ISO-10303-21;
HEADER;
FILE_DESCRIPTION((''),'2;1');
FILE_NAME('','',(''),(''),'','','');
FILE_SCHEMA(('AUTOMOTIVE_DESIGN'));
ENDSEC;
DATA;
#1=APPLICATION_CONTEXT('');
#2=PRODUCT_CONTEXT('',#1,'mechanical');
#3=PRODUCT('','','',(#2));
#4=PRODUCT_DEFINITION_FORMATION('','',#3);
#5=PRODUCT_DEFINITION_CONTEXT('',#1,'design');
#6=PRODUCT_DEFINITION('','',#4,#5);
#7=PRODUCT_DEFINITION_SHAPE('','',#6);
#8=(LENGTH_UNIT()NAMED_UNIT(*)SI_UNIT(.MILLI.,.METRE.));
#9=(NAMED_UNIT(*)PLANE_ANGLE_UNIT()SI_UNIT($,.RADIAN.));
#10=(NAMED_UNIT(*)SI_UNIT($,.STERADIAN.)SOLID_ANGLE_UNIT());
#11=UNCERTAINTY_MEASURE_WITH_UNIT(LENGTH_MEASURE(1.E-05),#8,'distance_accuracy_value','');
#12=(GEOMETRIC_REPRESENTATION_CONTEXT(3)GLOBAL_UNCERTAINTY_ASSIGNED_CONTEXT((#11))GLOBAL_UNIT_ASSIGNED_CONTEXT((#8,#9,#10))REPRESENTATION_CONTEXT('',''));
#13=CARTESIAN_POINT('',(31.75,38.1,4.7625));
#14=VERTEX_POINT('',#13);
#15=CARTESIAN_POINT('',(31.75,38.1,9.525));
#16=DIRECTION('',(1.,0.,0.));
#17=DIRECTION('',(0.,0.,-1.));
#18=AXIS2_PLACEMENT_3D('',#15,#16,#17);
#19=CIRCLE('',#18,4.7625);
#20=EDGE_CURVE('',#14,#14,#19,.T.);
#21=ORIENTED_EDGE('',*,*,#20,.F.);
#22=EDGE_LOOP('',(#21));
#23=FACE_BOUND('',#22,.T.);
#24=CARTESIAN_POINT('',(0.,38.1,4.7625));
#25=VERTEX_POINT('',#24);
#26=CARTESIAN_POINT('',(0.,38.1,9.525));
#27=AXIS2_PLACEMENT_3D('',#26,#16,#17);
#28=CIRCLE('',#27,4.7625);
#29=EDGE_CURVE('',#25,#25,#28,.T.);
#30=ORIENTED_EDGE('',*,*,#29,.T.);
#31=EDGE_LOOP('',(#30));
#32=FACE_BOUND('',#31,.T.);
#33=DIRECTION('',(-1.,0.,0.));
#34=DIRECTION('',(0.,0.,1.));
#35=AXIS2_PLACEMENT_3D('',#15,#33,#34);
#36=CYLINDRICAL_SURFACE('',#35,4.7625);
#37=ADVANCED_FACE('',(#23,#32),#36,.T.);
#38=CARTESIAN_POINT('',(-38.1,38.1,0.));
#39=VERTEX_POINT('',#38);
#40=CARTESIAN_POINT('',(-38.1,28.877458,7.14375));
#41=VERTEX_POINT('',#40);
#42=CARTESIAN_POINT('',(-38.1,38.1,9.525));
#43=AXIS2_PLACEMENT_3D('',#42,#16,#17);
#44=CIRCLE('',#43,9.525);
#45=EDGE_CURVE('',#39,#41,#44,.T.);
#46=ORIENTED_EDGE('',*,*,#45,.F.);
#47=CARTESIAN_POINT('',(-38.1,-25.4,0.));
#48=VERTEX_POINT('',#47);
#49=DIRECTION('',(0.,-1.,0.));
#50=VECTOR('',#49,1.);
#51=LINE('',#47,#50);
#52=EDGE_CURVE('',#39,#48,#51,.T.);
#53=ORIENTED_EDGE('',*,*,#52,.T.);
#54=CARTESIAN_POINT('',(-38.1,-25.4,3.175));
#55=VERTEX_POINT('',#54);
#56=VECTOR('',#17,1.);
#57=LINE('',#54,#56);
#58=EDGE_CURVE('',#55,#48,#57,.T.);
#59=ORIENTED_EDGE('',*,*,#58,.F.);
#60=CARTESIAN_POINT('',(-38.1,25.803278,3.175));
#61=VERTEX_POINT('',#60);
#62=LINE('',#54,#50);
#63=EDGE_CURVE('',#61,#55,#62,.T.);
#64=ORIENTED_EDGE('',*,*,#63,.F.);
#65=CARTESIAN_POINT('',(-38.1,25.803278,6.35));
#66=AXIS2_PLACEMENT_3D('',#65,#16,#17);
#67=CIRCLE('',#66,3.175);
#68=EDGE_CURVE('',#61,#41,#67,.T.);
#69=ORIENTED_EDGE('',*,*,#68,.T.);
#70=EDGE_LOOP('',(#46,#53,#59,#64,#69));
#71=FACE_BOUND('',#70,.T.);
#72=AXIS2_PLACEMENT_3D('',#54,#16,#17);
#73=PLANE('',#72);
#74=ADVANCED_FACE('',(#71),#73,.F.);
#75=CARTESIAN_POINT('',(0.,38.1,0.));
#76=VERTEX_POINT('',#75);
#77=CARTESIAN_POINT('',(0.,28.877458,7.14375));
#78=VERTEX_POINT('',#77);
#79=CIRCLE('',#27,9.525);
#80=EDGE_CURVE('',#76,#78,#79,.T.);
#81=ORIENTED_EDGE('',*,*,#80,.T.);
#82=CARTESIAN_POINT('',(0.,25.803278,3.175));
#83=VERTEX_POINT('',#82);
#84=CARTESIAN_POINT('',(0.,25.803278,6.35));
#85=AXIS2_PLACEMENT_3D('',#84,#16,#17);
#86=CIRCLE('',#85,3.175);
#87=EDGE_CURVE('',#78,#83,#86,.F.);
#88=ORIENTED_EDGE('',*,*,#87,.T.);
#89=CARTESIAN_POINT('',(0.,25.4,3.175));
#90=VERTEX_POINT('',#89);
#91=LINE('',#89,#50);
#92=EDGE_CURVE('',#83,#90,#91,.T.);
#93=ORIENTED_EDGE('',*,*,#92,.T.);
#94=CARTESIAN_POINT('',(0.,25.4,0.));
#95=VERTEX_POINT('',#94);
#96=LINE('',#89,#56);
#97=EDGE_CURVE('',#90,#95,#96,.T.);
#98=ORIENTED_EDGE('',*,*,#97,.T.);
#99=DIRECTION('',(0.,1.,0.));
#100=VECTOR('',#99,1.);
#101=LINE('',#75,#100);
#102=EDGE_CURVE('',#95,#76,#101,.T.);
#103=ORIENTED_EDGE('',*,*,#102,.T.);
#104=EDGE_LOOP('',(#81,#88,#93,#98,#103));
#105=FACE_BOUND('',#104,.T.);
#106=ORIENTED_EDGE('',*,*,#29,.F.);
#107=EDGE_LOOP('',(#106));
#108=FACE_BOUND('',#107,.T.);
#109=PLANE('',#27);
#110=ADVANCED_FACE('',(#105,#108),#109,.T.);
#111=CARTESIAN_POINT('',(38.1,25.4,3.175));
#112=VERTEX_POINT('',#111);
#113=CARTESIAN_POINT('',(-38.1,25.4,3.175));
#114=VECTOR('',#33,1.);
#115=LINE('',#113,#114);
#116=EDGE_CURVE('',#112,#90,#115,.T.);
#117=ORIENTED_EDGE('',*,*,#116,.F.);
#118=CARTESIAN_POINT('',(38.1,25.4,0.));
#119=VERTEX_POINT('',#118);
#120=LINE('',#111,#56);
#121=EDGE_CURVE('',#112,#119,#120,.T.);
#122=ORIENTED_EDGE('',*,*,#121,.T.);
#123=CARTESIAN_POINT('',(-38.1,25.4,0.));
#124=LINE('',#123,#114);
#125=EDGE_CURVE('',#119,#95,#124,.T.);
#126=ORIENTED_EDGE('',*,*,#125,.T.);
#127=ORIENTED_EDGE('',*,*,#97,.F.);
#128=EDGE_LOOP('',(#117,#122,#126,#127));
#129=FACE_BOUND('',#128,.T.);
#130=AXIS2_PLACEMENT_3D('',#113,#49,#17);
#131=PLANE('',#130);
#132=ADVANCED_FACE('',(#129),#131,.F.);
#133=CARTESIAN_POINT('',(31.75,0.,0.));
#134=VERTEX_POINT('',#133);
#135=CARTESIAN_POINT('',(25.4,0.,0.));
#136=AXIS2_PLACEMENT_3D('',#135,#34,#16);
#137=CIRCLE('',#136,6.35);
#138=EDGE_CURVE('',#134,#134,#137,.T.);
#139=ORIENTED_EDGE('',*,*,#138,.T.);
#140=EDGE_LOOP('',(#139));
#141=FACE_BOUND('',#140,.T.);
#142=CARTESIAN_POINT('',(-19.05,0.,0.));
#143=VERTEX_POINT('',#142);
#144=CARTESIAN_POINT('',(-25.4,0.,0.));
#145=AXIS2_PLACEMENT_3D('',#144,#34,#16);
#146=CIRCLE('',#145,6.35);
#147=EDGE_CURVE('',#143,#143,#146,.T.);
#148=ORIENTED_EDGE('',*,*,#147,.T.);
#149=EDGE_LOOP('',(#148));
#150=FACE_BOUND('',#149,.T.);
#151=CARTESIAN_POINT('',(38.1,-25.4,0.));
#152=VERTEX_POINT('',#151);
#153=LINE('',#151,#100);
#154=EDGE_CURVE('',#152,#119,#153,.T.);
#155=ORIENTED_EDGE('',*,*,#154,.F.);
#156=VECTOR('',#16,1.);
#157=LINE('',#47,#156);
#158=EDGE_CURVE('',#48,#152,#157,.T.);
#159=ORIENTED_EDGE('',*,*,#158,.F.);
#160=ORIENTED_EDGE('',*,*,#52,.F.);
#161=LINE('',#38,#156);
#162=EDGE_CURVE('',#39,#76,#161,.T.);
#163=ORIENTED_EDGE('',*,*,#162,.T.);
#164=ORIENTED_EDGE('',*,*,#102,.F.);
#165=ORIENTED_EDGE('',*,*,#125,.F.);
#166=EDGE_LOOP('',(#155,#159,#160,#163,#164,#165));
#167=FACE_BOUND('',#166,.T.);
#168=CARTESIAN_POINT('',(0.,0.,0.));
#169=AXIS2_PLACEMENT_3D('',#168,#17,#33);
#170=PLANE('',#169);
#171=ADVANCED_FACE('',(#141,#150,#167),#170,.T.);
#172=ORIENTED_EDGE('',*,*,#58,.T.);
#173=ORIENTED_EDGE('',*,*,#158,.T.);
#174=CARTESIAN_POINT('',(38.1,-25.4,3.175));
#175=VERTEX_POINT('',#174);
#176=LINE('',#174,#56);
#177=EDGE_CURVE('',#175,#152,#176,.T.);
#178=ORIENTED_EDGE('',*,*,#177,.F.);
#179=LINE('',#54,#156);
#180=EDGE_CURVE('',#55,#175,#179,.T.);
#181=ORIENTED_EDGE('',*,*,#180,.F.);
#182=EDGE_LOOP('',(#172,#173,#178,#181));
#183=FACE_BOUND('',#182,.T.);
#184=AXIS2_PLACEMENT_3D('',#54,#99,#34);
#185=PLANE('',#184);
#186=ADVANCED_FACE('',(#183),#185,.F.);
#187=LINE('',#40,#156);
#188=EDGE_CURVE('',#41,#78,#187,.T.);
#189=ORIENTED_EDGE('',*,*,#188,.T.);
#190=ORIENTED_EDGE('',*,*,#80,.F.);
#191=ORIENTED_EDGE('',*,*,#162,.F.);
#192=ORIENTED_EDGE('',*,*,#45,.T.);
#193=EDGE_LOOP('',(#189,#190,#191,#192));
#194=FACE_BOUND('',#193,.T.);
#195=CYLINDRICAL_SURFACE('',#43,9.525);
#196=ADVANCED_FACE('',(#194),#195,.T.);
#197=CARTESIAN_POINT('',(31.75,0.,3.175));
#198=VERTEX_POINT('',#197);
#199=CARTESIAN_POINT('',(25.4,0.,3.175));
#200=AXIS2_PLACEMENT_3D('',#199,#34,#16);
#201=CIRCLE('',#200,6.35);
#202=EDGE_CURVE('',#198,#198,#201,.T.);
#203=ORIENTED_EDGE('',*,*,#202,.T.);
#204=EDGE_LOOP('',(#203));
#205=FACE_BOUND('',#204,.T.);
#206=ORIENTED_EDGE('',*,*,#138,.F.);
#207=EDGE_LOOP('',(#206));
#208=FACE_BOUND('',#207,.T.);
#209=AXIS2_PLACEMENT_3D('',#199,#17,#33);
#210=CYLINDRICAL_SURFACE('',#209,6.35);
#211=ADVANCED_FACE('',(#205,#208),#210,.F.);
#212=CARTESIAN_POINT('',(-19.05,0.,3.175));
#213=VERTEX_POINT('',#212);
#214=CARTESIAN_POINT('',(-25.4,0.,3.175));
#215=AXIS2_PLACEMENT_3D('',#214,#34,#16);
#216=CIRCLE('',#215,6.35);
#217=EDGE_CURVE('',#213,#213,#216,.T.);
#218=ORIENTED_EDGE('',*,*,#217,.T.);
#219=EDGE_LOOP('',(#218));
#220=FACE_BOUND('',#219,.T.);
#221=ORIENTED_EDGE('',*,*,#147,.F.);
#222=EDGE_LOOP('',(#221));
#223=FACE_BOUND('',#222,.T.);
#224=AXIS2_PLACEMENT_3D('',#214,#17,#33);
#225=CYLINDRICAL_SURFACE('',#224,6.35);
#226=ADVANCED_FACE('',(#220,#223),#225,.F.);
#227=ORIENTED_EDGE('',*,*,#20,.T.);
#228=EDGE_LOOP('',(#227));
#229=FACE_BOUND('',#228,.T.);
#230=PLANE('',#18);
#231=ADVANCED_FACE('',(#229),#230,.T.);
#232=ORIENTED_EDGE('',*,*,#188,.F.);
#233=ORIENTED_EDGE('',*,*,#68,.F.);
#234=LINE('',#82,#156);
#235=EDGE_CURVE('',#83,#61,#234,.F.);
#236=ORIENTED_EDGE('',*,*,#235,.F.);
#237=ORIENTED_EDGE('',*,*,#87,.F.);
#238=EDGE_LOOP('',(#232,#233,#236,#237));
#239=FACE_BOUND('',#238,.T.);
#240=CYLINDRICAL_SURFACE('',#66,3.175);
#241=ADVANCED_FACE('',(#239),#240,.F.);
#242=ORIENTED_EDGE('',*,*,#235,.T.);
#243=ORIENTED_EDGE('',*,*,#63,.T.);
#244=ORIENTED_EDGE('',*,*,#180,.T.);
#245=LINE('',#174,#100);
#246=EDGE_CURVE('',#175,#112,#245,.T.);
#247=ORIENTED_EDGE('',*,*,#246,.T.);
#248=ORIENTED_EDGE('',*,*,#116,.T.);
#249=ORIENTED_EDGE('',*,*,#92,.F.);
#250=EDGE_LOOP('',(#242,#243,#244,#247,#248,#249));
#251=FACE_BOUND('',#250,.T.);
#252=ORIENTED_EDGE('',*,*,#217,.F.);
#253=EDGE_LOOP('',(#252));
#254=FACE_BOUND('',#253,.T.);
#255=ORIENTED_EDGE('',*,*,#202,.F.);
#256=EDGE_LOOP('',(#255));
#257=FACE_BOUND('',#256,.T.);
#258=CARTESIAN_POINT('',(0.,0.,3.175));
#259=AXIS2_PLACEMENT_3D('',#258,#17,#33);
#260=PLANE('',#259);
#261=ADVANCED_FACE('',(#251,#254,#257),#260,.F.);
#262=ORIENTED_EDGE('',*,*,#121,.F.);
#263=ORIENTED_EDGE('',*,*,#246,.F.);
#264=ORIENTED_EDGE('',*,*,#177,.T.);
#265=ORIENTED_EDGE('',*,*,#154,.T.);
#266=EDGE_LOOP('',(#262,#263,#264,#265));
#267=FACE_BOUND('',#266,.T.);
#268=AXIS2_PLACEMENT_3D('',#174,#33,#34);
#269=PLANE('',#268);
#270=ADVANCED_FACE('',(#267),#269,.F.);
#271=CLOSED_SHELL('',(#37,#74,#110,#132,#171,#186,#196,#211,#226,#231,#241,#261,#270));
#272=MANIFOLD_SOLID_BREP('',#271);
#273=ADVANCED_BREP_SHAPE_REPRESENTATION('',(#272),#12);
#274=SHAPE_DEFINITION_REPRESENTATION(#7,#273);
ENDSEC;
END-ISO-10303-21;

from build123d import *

# Parameters (mm, degrees)
SKETCH1_W           = 76.2
SKETCH1_H           = 50.8
SKETCH1_R           = 6.35
BOSS_EXTRUDE1_DEPTH = 3.175
BOSS_EXTRUDE2_DEPTH = 38.1
FILLET1_R           = 3.175
SKETCH3_2_R         = 4.7625
BOSS_EXTRUDE3_DEPTH = 31.75


with BuildPart() as part:
    # Sketch1 → Boss-Extrude1 (new body)
    with BuildSketch(Plane.XY):
        Rectangle(SKETCH1_W, SKETCH1_H)
        with Locations((-25.4, 0)):
            Circle(SKETCH1_R, mode=Mode.SUBTRACT)
        with Locations((25.4, 0)):
            Circle(SKETCH1_R, mode=Mode.SUBTRACT)
    extrude(amount=BOSS_EXTRUDE1_DEPTH)

    # Sketch2 → Boss-Extrude2 (add)
    with BuildSketch(Plane(origin=(0, 0, 0), x_dir=(0, 0, -1), z_dir=(1, 0, 0))):
        with BuildLine():
            Line((0, 38.1), (0, 25.4))
            Line((0, 25.4), (-3.175, 25.4))
            Line((-3.175, 25.4), (-3.175, 31.000484171))
            ThreePointArc((-3.175, 31.000484171), (-18.2200956, 41.988564967), (0, 38.1))
        make_face()
    extrude(amount=-BOSS_EXTRUDE2_DEPTH)

    # Fillet1
    fillet1_edges = [part.edges().sort_by_distance(p)[0] for p in [
        (-19.05, 31.000484171, 3.175),
    ]]
    fillet(fillet1_edges, radius=FILLET1_R)

    # Sketch3<2> → Boss-Extrude3 (add)
    with BuildSketch(Plane(origin=(0, 0, 0), x_dir=(0, 0, -1), z_dir=(1, 0, 0))):
        with Locations((-9.525, 38.1)):
            Circle(SKETCH3_2_R)
    extrude(amount=BOSS_EXTRUDE3_DEPTH)


solid = part.part
